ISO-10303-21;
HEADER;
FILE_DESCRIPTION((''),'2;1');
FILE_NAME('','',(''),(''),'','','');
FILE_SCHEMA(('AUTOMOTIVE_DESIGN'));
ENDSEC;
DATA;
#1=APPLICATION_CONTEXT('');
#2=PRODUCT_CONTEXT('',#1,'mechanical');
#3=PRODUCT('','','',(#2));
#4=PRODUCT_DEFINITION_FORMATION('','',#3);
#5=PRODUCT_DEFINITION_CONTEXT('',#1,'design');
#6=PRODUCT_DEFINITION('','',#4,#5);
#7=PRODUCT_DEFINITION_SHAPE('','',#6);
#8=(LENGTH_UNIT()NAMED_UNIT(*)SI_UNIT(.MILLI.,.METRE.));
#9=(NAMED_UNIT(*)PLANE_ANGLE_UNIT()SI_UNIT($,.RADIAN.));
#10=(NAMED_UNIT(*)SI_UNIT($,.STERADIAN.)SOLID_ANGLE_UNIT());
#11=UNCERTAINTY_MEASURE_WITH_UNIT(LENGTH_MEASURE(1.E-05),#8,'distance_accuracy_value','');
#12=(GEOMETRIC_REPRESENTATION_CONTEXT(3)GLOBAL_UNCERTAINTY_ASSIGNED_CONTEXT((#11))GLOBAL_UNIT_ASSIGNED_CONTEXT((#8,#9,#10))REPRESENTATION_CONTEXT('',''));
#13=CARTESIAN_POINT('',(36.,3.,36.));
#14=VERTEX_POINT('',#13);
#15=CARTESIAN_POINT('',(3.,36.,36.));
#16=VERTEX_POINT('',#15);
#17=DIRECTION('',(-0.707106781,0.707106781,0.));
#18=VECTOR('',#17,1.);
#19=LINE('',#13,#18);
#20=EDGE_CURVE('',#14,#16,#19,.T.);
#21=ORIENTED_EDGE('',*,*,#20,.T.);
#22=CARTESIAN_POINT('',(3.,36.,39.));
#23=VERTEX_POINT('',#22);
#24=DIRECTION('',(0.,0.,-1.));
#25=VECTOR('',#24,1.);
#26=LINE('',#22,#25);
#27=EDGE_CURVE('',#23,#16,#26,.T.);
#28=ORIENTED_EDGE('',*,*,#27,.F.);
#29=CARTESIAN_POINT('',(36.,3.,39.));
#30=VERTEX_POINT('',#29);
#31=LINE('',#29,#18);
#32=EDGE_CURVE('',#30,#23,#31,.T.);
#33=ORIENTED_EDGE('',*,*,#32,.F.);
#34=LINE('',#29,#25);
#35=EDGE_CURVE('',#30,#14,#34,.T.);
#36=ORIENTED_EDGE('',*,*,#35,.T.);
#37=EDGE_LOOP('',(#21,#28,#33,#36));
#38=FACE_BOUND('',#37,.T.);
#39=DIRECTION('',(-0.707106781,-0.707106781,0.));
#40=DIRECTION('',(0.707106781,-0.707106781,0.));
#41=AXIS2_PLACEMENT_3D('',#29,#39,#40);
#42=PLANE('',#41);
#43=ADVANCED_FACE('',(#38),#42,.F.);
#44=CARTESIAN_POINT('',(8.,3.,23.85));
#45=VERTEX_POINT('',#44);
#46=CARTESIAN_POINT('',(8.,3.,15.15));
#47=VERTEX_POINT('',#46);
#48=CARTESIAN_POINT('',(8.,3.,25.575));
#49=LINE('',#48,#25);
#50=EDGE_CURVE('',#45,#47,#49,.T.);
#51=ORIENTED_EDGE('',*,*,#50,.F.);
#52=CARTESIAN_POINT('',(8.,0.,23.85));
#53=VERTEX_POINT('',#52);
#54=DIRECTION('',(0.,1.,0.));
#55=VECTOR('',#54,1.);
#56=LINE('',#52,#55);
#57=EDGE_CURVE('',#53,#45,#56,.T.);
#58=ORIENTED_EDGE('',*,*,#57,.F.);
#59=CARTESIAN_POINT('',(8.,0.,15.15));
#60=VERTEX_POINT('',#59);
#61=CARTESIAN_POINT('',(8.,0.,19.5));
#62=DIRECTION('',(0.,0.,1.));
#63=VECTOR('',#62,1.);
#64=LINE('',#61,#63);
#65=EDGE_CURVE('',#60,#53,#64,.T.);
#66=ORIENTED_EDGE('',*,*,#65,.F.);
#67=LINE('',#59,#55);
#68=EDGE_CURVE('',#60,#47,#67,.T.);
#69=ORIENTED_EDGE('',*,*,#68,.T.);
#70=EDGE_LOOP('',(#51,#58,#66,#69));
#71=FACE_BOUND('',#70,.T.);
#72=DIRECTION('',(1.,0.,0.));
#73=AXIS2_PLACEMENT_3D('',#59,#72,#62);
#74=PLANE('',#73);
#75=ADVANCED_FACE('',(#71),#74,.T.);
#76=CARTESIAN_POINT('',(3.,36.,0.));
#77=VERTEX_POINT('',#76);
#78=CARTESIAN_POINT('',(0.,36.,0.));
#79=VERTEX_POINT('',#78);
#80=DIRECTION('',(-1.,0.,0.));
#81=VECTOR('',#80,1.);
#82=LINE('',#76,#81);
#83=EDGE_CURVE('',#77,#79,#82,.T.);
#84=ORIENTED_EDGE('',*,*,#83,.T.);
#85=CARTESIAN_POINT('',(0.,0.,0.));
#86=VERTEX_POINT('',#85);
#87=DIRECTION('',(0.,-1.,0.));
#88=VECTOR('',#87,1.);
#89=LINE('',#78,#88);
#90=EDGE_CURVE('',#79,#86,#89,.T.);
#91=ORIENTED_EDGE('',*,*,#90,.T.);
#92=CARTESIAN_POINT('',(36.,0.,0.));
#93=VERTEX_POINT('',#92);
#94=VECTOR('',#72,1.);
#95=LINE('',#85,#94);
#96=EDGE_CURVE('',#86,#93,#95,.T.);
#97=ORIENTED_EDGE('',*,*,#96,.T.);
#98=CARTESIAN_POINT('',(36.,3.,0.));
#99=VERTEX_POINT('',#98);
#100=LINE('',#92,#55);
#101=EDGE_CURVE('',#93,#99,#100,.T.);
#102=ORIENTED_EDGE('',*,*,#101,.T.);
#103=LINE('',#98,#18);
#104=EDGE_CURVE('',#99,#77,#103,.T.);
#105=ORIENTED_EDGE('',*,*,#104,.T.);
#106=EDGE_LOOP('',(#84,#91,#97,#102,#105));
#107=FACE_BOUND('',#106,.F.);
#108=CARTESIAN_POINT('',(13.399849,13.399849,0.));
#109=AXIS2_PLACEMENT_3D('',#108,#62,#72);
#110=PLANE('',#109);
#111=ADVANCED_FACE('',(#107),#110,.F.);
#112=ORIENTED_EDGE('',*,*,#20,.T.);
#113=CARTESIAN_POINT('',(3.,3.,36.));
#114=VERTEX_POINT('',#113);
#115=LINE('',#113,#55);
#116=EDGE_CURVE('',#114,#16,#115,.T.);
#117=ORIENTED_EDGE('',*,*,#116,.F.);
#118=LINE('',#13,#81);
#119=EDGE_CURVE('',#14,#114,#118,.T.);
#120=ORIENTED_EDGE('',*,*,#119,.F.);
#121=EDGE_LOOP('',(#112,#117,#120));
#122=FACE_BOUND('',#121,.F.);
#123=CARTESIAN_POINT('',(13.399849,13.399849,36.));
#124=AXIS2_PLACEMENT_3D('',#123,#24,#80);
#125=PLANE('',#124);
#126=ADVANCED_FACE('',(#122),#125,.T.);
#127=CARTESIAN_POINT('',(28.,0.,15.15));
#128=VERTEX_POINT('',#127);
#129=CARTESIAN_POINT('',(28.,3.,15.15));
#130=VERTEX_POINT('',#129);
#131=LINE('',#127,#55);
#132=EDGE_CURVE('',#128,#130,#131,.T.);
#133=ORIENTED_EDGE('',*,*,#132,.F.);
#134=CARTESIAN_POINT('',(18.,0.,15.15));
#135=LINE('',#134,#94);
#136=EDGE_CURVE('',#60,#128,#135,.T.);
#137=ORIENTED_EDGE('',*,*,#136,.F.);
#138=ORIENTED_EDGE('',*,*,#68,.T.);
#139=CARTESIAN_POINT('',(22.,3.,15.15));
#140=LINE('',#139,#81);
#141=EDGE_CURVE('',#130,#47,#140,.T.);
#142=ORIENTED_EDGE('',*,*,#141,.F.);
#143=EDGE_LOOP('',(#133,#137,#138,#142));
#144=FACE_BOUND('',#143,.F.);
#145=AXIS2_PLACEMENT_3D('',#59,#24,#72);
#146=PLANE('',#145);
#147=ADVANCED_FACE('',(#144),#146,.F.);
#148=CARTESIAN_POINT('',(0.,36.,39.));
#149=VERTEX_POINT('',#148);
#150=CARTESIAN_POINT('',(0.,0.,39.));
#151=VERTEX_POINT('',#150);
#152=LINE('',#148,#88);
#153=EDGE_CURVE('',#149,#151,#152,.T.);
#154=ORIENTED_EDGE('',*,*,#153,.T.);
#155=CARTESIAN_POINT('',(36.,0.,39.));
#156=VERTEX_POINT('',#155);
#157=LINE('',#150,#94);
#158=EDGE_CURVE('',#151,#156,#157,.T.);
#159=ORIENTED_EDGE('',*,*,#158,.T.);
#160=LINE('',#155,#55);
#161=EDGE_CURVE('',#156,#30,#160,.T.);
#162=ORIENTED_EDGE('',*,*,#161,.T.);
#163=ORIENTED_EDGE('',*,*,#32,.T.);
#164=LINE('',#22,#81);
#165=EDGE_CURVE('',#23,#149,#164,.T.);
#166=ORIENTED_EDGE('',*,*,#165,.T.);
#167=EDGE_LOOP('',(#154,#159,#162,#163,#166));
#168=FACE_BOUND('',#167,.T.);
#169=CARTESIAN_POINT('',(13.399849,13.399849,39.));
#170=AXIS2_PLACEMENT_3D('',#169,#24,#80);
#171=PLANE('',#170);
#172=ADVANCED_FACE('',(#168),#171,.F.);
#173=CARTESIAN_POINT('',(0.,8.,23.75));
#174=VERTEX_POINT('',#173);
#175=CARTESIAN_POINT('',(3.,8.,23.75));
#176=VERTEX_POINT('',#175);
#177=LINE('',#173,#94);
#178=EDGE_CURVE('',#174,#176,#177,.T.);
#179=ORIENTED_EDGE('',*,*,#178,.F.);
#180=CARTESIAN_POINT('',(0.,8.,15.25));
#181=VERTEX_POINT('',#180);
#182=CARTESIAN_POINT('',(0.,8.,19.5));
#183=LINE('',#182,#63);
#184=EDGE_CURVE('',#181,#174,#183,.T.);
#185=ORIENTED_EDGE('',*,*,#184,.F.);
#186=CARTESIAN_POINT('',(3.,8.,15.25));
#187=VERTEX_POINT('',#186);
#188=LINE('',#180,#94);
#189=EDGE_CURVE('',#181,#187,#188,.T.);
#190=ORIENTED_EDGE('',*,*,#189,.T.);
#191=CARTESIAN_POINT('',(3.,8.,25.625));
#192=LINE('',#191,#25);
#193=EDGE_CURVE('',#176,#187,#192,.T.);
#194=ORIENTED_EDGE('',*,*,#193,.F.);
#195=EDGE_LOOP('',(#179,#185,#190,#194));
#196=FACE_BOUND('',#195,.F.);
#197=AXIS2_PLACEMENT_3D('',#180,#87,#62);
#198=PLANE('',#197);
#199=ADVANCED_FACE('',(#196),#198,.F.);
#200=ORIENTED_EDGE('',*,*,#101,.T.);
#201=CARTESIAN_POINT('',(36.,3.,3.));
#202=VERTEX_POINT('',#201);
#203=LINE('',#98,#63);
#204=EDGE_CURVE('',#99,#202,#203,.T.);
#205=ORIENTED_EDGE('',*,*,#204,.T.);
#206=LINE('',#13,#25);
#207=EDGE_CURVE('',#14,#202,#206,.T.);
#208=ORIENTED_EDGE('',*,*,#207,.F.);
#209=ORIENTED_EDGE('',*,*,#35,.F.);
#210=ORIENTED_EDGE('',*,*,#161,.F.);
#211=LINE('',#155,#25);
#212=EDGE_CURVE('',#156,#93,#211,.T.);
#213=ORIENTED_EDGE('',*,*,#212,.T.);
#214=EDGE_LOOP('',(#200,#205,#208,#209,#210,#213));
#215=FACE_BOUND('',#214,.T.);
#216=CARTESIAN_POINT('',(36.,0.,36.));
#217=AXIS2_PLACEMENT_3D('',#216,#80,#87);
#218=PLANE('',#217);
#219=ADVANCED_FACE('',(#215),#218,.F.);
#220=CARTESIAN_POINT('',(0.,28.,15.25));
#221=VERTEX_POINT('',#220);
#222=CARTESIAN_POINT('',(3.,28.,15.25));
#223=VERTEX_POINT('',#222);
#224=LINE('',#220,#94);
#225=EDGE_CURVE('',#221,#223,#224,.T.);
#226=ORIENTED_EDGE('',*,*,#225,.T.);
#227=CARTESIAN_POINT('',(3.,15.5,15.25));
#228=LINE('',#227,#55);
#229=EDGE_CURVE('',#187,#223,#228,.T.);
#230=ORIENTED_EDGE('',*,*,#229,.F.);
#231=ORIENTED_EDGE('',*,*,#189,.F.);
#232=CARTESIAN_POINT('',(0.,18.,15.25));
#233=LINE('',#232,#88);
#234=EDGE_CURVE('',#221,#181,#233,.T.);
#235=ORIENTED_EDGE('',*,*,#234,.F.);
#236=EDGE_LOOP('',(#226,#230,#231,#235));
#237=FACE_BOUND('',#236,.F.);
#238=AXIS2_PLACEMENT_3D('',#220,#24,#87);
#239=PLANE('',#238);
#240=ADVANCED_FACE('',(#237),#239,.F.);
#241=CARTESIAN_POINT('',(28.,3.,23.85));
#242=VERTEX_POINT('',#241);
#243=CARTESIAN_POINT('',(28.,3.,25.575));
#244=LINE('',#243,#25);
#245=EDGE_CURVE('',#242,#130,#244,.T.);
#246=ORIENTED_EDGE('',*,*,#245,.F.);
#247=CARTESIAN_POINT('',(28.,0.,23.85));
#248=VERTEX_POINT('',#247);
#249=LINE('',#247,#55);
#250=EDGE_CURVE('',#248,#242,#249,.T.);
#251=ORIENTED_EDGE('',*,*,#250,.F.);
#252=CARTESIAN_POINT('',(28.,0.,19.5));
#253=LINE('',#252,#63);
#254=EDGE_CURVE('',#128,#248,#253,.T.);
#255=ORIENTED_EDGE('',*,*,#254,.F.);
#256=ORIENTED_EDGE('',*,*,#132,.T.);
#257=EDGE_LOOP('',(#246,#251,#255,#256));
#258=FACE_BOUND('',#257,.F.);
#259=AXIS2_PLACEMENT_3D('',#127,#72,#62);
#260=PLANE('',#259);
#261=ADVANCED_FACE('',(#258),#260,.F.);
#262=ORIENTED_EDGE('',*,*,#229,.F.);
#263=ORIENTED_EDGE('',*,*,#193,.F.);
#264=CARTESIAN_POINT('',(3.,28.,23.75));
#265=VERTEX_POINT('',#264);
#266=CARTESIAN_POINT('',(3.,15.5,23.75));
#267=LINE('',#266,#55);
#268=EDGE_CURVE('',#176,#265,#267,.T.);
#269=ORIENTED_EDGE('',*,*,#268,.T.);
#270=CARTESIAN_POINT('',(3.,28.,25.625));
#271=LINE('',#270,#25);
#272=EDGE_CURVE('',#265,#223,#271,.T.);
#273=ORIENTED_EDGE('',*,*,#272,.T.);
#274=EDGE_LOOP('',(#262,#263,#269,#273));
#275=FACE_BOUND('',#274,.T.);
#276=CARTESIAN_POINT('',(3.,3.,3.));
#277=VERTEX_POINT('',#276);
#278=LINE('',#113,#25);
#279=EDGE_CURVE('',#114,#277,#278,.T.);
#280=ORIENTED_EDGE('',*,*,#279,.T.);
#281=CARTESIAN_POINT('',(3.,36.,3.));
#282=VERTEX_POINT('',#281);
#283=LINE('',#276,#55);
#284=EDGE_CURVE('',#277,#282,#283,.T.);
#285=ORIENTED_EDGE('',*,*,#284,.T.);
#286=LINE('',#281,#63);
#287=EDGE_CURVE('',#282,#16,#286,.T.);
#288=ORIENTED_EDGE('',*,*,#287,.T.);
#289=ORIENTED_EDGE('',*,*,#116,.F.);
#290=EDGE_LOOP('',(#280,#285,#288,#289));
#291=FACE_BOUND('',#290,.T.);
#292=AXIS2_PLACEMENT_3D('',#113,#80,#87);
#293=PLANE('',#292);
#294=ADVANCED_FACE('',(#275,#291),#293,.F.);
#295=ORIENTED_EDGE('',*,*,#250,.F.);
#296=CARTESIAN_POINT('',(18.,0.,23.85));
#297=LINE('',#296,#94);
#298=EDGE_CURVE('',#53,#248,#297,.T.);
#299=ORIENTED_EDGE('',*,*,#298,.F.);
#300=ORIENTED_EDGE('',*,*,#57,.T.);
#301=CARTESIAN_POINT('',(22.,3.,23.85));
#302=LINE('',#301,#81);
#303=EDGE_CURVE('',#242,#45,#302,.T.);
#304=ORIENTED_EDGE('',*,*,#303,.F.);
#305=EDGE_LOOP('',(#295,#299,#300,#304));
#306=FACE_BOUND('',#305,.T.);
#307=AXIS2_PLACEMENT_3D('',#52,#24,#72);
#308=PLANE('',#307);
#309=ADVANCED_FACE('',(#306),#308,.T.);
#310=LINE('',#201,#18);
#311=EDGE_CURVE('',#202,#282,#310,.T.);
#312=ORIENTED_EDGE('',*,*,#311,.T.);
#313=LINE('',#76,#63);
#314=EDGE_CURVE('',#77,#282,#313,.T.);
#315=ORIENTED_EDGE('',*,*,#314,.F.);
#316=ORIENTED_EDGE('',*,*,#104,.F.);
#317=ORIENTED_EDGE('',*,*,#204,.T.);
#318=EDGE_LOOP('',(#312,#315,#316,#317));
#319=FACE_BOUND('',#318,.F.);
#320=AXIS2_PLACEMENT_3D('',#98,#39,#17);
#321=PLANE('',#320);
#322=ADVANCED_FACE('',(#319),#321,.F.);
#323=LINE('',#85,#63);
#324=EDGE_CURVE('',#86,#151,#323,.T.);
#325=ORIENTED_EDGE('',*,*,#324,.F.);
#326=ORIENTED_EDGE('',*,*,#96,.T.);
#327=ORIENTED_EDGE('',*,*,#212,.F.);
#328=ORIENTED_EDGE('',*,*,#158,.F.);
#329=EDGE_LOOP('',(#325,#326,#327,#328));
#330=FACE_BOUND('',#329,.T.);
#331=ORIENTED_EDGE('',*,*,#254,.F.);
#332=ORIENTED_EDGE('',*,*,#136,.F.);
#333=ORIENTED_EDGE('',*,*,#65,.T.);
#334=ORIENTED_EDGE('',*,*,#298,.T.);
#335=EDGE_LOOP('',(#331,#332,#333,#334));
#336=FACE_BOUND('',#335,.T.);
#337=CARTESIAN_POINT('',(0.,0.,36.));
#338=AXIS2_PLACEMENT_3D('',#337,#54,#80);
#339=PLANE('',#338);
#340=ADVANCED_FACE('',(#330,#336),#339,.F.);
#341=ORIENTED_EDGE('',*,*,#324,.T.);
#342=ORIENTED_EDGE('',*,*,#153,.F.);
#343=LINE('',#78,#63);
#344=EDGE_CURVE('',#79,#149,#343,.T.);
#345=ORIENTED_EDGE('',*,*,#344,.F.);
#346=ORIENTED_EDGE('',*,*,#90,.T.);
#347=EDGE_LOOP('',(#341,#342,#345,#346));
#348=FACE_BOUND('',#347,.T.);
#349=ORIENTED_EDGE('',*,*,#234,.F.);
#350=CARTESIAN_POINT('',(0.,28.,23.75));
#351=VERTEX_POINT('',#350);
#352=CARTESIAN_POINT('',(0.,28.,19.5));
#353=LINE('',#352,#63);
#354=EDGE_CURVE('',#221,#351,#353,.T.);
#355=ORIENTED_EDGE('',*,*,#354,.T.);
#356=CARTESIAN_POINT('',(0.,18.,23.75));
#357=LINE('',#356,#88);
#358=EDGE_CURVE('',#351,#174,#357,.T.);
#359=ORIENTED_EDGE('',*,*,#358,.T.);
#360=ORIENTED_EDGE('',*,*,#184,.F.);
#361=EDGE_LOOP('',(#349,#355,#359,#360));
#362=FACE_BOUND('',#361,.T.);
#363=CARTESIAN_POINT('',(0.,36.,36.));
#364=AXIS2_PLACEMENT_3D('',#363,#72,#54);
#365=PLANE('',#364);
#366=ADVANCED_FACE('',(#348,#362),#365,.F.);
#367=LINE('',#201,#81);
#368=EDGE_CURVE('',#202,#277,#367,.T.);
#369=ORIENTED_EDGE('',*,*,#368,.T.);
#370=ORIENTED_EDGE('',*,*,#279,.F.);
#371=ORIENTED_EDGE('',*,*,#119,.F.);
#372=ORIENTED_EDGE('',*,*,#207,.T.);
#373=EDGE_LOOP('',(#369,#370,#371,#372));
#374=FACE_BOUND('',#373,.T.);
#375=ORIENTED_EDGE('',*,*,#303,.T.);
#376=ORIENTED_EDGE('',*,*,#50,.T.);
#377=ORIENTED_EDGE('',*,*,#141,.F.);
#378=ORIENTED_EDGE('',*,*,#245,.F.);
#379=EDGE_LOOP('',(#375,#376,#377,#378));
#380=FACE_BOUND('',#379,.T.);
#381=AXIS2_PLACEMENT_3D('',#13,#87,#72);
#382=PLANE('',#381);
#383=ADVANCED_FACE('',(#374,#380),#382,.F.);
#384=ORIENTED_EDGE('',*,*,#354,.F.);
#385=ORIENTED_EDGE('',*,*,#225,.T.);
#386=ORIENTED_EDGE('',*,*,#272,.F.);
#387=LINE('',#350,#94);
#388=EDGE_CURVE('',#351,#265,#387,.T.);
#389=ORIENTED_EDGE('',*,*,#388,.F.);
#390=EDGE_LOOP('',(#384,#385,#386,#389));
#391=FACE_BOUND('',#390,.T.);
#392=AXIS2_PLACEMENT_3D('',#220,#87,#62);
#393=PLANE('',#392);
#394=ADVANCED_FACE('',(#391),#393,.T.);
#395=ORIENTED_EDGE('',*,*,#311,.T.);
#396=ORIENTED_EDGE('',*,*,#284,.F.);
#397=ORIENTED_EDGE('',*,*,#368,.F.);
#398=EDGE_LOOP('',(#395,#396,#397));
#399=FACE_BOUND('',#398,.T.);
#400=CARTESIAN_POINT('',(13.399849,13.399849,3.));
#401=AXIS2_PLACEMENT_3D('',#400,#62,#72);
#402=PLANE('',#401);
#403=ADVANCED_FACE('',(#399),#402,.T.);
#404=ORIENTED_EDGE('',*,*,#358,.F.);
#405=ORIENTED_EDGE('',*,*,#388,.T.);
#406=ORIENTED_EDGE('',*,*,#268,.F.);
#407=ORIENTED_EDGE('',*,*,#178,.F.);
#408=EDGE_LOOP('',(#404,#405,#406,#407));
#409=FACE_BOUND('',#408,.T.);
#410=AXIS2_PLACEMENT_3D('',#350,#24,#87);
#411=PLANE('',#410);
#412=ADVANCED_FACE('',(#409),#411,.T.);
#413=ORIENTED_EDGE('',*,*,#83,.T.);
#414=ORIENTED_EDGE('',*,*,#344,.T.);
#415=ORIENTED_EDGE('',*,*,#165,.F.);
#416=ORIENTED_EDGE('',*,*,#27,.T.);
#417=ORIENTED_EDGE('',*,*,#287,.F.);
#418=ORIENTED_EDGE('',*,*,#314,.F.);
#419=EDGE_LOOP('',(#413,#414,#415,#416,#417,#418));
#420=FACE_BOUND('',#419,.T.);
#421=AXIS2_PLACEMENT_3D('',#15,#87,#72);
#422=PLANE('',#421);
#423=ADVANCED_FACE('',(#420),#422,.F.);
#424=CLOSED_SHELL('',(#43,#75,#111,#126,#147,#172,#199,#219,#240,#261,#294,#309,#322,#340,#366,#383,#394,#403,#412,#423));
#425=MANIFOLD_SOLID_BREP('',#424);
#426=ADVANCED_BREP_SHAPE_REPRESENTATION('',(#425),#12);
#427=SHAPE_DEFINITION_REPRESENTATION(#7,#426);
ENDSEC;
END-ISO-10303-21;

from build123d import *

# Parameters (mm, degrees)
F1_DEPTH = 3
F3_DEPTH = 16.5
F5_W     = 20
F5_H     = 8.7
F6_DEPTH = 25
F7_W     = 20
F7_H     = 8.5
F8_DEPTH = 25


with BuildPart() as f1:
    # F0 (on Top) → F1 (new body)
    with BuildSketch(Plane.XY):
        Polygon((0, 36), (0, 0), (36, 0), (36, 3), (3, 36), align=None)
    extrude(amount=F1_DEPTH)

    # F2 (on face) → F3 (join)
    with BuildSketch(Plane.XY.offset(3)):
        Polygon((3, 3), (3, 36), (0, 36), (0, 0), (36, 0), (36, 3), align=None)
    extrude(amount=F3_DEPTH)

    # F4: F1 across face


with BuildPart() as f1_1:
    add(f1.part)
    add(f1.part.mirror(Plane(origin=(10.1086956522, 10.1086956522, 19.5), x_dir=(1, 0, 0), z_dir=(0, 0, 1))))

    # F5 (on face) → F6 (cut)
    with BuildSketch(Plane.XZ):
        with Locations((18, 19.5)):
            Rectangle(F5_W, F5_H)
    extrude(amount=-F6_DEPTH, mode=Mode.SUBTRACT)

    # F7 (on face) → F8 (cut)
    with BuildSketch(Plane(origin=(0, 0, 0), x_dir=(0, -1, 0), z_dir=(-1, 0, 0))):
        with Locations((-18, 19.5)):
            Rectangle(F7_W, F7_H)
    extrude(amount=-F8_DEPTH, mode=Mode.SUBTRACT)


solid = f1_1.part
